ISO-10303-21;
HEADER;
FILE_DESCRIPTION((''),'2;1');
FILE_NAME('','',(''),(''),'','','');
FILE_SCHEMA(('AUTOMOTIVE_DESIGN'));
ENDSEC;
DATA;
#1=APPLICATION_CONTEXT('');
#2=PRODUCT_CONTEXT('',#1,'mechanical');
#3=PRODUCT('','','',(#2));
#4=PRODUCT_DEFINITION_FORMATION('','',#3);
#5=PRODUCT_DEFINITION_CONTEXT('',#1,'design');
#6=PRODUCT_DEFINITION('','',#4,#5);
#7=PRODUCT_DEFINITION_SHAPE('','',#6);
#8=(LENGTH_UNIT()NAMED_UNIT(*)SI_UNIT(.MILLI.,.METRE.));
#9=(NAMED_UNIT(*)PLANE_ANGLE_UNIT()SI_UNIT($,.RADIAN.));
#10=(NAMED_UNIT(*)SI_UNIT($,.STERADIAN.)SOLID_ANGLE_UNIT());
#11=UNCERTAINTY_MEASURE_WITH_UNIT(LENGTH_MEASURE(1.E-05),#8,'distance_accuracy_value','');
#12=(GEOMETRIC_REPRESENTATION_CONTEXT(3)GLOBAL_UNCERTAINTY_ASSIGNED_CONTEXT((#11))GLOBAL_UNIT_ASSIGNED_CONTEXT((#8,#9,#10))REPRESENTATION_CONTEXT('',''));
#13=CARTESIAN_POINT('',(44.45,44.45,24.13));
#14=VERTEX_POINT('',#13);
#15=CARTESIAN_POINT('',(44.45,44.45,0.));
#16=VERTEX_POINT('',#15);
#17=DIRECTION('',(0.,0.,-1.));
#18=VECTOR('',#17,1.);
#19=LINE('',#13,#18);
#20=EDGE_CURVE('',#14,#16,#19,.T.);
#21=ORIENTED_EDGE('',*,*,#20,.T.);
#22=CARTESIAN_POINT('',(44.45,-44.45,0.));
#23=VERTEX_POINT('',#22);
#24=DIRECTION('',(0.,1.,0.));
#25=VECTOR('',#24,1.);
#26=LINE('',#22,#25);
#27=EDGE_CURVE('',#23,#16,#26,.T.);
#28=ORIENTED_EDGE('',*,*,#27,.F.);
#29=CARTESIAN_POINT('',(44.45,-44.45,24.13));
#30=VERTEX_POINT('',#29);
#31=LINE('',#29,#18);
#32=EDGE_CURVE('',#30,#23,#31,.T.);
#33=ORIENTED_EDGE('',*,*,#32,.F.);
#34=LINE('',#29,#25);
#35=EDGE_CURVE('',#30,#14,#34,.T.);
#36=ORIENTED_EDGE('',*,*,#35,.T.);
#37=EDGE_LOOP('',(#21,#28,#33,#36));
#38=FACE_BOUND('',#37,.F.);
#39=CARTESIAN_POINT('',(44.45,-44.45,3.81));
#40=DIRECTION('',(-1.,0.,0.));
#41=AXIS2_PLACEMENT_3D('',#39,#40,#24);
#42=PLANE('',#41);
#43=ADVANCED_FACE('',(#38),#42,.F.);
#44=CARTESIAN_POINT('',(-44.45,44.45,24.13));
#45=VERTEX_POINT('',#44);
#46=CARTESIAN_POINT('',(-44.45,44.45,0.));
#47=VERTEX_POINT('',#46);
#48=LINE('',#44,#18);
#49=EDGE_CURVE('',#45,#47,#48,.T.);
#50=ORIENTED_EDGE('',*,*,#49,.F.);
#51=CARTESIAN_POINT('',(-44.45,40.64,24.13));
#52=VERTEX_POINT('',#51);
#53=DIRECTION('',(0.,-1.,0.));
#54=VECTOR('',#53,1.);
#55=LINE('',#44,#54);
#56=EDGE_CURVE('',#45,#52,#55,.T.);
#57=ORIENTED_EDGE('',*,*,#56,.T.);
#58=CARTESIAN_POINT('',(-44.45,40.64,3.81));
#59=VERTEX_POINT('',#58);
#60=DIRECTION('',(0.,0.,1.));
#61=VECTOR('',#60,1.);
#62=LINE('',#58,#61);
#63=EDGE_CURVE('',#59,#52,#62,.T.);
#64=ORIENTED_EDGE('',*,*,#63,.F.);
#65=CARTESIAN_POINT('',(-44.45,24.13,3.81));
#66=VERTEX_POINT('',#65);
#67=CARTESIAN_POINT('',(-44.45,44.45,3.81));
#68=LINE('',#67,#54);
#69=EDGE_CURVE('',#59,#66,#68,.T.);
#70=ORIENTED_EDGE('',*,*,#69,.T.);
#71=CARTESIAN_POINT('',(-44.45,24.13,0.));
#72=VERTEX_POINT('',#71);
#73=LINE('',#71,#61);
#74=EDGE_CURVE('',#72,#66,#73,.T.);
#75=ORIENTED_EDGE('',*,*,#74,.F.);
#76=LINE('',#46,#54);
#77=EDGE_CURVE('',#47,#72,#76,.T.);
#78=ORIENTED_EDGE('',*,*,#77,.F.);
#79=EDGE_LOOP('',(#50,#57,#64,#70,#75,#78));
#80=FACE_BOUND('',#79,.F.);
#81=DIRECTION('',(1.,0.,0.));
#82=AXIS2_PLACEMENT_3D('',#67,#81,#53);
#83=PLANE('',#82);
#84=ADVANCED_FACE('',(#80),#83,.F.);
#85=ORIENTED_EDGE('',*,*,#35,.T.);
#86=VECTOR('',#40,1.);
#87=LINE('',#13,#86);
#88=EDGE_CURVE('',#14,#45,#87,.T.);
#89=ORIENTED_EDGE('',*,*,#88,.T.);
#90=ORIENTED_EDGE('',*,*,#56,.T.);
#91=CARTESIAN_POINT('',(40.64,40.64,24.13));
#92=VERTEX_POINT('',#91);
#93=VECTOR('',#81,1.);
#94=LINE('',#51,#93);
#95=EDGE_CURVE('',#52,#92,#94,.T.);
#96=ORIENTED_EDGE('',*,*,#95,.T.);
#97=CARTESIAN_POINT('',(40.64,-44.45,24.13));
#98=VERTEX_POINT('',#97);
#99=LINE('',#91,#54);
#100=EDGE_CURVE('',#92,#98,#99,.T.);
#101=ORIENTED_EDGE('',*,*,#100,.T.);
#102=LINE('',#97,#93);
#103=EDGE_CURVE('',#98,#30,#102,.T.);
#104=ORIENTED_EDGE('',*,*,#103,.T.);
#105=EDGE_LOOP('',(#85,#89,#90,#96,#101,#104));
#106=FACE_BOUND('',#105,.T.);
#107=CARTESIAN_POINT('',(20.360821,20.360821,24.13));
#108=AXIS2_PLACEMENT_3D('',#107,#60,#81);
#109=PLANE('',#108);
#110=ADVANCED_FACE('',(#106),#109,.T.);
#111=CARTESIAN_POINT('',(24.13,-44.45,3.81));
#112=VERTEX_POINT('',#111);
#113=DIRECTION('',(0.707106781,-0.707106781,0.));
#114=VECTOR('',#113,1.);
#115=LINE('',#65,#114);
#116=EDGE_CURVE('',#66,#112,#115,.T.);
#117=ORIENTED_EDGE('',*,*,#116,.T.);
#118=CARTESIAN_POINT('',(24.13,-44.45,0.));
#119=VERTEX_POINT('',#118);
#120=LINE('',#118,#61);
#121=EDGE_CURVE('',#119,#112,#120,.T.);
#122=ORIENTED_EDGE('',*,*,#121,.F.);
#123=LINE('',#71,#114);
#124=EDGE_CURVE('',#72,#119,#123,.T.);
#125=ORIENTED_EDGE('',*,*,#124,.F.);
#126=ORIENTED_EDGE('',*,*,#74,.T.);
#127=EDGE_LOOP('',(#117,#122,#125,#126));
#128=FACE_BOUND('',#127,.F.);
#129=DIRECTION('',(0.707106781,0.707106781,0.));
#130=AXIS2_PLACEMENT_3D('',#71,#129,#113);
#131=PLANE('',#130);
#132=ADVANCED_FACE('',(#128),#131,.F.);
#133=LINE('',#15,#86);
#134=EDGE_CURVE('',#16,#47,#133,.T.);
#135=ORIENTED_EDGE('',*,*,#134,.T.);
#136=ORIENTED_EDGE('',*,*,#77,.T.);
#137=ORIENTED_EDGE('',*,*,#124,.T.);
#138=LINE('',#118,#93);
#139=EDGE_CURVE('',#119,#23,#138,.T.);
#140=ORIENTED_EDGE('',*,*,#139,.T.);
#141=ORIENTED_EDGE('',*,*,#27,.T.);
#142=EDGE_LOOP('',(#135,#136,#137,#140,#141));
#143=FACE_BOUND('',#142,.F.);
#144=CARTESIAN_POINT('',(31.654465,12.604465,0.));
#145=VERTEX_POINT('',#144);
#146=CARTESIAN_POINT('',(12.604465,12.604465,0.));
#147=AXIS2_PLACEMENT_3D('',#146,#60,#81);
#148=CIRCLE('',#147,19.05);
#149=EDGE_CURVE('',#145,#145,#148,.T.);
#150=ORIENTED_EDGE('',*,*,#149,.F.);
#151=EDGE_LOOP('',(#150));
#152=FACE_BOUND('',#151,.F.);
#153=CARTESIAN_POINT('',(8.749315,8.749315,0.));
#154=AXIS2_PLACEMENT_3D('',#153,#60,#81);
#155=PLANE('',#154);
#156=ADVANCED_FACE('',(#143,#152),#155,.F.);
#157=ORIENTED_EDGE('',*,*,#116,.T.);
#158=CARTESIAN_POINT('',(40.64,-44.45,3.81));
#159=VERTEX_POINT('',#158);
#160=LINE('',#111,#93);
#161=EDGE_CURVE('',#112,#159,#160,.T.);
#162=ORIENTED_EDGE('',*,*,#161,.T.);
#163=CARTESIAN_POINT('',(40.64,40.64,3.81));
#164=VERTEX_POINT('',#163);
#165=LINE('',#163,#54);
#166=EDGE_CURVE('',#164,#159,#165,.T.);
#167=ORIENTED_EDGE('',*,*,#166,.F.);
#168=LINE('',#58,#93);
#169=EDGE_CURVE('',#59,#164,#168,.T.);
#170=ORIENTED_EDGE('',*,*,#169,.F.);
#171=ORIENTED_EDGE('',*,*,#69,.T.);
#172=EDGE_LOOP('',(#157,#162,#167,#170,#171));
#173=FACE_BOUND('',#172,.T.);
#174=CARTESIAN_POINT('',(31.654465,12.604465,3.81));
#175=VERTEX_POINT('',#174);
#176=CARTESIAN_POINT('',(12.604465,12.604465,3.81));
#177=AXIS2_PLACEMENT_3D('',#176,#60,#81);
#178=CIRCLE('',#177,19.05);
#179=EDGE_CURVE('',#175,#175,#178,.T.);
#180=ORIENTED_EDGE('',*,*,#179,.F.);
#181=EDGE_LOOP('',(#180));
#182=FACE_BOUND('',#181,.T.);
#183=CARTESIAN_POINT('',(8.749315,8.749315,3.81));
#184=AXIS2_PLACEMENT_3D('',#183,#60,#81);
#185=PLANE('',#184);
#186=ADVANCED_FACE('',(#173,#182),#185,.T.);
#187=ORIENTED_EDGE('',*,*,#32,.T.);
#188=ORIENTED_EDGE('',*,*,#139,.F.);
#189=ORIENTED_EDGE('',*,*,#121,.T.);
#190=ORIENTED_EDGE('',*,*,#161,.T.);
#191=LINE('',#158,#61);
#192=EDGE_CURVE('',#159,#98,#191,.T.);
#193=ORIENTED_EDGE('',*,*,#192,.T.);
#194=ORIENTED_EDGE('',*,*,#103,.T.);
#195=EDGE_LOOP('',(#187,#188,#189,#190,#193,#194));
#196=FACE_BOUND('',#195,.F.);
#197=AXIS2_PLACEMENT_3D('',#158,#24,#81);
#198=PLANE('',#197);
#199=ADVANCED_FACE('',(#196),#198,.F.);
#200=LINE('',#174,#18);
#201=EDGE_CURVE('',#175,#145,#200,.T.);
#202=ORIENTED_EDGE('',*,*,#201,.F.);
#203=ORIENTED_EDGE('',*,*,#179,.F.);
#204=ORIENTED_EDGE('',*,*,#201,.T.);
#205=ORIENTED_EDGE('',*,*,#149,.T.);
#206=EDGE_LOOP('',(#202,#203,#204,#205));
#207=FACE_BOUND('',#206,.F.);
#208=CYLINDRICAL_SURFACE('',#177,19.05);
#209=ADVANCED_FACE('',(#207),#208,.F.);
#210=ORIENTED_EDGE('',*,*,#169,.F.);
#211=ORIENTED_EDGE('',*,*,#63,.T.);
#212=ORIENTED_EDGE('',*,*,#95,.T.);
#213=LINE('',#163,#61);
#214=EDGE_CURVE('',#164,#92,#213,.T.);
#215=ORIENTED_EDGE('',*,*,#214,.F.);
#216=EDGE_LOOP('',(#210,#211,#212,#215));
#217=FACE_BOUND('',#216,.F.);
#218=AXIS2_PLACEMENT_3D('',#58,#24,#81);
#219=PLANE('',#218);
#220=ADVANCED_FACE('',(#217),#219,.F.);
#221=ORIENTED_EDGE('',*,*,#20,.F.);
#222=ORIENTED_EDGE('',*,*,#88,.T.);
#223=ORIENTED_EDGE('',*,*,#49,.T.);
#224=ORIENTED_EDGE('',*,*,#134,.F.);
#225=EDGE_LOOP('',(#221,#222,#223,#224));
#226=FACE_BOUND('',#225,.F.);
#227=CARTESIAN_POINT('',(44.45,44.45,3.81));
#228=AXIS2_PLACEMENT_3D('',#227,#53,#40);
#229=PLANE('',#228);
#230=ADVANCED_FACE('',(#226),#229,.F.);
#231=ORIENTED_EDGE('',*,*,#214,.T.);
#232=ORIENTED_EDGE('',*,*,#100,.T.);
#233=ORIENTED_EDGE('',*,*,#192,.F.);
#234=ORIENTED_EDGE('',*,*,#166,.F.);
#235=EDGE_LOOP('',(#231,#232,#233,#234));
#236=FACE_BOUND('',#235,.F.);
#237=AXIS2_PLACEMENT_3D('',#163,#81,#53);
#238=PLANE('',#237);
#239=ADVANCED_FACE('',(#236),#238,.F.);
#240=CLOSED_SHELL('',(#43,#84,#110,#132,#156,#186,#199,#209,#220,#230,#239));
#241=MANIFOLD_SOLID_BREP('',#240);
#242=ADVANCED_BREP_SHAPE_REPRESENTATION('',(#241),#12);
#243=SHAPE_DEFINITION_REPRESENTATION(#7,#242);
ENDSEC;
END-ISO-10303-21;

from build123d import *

# Parameters (mm, degrees)
F1_DEPTH = 3.81
F3_DEPTH = 20.32
F4_R     = 19.05
F5_DEPTH = 39.624


with BuildPart() as f1:
    # F0 (on Top) → F1 (new body)
    with BuildSketch(Plane.XY):
        Polygon((24.13, -44.45), (44.45, -44.45), (44.45, 44.45), (-44.45, 44.45), (-44.45, 24.13), align=None)
    extrude(amount=F1_DEPTH)

    # F2 (on face) → F3 (join)
    with BuildSketch(Plane.XY.offset(3.81)):
        Polygon((40.64, 44.45), (-44.45, 44.45), (-44.45, 40.64), (40.64, 40.64), (40.64, -44.45), (44.45, -44.45), (44.45, 40.64), (44.45, 44.45), align=None)
    extrude(amount=F3_DEPTH)

    # F4 (on face) → F5 (cut)
    with BuildSketch(Plane.XY.offset(3.81)):
        with Locations((12.604465, 12.604465)):
            Circle(F4_R)
    extrude(amount=-F5_DEPTH, mode=Mode.SUBTRACT)


solid = f1.part
